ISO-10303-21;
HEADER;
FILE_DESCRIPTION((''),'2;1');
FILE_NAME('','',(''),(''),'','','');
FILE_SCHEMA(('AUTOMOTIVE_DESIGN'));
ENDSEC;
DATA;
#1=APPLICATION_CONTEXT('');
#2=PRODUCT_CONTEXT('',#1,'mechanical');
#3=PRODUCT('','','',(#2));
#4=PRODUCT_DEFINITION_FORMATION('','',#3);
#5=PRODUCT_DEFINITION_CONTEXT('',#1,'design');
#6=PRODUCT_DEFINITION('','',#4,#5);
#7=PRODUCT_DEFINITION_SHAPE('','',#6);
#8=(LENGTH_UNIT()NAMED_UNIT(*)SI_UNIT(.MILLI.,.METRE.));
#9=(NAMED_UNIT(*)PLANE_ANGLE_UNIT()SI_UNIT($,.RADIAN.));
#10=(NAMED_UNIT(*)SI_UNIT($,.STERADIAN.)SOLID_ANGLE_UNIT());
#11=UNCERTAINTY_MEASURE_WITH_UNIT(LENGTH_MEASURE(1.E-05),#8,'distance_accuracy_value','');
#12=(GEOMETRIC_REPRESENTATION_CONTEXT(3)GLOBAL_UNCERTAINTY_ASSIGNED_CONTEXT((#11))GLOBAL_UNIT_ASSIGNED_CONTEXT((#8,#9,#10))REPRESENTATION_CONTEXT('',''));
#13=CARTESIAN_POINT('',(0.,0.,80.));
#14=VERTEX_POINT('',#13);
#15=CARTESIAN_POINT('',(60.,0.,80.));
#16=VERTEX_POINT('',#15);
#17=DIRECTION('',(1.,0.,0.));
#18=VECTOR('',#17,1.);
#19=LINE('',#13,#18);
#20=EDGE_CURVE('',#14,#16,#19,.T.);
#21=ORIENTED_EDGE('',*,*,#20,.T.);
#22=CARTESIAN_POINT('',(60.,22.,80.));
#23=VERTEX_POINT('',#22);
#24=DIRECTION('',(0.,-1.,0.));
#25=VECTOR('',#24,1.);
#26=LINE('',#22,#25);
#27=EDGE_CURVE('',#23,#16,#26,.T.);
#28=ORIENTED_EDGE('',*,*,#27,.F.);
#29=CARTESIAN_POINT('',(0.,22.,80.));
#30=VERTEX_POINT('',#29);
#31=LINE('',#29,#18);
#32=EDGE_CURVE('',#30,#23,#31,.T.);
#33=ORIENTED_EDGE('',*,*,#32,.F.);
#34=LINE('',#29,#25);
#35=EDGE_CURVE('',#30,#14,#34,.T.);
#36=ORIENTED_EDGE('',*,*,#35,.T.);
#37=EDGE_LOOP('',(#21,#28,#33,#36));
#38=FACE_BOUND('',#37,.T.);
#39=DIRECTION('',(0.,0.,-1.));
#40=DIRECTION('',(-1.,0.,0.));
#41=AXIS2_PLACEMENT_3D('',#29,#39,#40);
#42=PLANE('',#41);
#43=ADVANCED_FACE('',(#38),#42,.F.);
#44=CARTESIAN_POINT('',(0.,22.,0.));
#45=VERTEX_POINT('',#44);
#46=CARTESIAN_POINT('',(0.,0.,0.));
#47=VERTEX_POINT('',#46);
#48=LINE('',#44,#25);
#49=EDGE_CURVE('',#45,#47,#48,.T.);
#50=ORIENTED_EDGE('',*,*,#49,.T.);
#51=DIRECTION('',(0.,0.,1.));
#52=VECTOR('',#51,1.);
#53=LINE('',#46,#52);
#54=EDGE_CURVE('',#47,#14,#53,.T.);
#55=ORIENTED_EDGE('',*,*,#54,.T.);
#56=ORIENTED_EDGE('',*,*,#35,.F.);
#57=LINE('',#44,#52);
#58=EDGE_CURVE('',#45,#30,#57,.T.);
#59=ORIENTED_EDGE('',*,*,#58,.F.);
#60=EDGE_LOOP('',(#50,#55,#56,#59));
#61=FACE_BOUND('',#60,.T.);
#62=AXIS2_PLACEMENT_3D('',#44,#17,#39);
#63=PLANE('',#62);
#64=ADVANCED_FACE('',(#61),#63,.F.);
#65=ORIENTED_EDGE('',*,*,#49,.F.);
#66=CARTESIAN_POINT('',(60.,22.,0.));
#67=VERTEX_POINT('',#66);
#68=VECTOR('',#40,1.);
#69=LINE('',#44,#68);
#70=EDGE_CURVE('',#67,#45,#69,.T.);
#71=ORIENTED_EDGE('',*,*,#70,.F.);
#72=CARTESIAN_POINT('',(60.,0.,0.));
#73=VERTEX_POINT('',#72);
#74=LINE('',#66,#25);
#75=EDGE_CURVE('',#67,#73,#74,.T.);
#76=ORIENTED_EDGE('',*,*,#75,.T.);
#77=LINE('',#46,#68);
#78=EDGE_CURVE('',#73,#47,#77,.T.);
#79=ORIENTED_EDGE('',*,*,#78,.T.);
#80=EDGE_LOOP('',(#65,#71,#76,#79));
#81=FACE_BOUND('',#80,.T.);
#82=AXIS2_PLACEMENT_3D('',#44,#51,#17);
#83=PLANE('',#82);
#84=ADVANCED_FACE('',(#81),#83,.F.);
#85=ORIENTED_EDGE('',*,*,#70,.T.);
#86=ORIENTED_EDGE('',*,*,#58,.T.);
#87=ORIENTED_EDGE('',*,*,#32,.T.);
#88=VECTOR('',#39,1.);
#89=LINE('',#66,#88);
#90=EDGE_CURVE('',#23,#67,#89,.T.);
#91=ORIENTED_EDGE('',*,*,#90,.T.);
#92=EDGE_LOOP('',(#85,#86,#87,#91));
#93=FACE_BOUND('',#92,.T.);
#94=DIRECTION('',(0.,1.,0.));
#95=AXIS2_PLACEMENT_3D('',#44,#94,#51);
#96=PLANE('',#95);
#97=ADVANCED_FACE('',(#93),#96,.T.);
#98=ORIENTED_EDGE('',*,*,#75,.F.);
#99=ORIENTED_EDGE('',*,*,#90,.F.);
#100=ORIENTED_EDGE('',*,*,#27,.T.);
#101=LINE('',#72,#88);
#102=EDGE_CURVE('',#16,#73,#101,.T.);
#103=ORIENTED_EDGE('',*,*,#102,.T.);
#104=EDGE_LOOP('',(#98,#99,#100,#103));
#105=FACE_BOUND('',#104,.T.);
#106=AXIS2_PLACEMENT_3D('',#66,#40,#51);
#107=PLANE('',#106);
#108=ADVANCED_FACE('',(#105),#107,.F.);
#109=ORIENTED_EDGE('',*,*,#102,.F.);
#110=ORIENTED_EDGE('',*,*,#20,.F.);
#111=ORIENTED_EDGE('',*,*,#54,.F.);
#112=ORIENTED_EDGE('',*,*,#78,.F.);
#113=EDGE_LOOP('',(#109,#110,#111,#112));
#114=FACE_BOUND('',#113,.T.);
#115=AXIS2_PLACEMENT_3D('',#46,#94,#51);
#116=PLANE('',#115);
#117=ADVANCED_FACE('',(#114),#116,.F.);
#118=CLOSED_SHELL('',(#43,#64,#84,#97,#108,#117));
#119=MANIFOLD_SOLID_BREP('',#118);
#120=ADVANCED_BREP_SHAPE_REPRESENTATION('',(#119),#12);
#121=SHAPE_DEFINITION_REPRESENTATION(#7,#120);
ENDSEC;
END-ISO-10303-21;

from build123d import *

# Parameters (mm, degrees)
SKETCH_1_W      = 60
SKETCH_1_H      = 80
EXTRUDE_1_DEPTH = 22


with BuildPart() as part:
    # 草图1 → 凸台-拉伸1 (new body)
    with BuildSketch(Plane(origin=(0, 0, 0), x_dir=(1, 0, 0), z_dir=(0, 1, 0))):
        with Locations((30, -40)):
            Rectangle(SKETCH_1_W, SKETCH_1_H)
    extrude(amount=EXTRUDE_1_DEPTH)


solid = part.part
